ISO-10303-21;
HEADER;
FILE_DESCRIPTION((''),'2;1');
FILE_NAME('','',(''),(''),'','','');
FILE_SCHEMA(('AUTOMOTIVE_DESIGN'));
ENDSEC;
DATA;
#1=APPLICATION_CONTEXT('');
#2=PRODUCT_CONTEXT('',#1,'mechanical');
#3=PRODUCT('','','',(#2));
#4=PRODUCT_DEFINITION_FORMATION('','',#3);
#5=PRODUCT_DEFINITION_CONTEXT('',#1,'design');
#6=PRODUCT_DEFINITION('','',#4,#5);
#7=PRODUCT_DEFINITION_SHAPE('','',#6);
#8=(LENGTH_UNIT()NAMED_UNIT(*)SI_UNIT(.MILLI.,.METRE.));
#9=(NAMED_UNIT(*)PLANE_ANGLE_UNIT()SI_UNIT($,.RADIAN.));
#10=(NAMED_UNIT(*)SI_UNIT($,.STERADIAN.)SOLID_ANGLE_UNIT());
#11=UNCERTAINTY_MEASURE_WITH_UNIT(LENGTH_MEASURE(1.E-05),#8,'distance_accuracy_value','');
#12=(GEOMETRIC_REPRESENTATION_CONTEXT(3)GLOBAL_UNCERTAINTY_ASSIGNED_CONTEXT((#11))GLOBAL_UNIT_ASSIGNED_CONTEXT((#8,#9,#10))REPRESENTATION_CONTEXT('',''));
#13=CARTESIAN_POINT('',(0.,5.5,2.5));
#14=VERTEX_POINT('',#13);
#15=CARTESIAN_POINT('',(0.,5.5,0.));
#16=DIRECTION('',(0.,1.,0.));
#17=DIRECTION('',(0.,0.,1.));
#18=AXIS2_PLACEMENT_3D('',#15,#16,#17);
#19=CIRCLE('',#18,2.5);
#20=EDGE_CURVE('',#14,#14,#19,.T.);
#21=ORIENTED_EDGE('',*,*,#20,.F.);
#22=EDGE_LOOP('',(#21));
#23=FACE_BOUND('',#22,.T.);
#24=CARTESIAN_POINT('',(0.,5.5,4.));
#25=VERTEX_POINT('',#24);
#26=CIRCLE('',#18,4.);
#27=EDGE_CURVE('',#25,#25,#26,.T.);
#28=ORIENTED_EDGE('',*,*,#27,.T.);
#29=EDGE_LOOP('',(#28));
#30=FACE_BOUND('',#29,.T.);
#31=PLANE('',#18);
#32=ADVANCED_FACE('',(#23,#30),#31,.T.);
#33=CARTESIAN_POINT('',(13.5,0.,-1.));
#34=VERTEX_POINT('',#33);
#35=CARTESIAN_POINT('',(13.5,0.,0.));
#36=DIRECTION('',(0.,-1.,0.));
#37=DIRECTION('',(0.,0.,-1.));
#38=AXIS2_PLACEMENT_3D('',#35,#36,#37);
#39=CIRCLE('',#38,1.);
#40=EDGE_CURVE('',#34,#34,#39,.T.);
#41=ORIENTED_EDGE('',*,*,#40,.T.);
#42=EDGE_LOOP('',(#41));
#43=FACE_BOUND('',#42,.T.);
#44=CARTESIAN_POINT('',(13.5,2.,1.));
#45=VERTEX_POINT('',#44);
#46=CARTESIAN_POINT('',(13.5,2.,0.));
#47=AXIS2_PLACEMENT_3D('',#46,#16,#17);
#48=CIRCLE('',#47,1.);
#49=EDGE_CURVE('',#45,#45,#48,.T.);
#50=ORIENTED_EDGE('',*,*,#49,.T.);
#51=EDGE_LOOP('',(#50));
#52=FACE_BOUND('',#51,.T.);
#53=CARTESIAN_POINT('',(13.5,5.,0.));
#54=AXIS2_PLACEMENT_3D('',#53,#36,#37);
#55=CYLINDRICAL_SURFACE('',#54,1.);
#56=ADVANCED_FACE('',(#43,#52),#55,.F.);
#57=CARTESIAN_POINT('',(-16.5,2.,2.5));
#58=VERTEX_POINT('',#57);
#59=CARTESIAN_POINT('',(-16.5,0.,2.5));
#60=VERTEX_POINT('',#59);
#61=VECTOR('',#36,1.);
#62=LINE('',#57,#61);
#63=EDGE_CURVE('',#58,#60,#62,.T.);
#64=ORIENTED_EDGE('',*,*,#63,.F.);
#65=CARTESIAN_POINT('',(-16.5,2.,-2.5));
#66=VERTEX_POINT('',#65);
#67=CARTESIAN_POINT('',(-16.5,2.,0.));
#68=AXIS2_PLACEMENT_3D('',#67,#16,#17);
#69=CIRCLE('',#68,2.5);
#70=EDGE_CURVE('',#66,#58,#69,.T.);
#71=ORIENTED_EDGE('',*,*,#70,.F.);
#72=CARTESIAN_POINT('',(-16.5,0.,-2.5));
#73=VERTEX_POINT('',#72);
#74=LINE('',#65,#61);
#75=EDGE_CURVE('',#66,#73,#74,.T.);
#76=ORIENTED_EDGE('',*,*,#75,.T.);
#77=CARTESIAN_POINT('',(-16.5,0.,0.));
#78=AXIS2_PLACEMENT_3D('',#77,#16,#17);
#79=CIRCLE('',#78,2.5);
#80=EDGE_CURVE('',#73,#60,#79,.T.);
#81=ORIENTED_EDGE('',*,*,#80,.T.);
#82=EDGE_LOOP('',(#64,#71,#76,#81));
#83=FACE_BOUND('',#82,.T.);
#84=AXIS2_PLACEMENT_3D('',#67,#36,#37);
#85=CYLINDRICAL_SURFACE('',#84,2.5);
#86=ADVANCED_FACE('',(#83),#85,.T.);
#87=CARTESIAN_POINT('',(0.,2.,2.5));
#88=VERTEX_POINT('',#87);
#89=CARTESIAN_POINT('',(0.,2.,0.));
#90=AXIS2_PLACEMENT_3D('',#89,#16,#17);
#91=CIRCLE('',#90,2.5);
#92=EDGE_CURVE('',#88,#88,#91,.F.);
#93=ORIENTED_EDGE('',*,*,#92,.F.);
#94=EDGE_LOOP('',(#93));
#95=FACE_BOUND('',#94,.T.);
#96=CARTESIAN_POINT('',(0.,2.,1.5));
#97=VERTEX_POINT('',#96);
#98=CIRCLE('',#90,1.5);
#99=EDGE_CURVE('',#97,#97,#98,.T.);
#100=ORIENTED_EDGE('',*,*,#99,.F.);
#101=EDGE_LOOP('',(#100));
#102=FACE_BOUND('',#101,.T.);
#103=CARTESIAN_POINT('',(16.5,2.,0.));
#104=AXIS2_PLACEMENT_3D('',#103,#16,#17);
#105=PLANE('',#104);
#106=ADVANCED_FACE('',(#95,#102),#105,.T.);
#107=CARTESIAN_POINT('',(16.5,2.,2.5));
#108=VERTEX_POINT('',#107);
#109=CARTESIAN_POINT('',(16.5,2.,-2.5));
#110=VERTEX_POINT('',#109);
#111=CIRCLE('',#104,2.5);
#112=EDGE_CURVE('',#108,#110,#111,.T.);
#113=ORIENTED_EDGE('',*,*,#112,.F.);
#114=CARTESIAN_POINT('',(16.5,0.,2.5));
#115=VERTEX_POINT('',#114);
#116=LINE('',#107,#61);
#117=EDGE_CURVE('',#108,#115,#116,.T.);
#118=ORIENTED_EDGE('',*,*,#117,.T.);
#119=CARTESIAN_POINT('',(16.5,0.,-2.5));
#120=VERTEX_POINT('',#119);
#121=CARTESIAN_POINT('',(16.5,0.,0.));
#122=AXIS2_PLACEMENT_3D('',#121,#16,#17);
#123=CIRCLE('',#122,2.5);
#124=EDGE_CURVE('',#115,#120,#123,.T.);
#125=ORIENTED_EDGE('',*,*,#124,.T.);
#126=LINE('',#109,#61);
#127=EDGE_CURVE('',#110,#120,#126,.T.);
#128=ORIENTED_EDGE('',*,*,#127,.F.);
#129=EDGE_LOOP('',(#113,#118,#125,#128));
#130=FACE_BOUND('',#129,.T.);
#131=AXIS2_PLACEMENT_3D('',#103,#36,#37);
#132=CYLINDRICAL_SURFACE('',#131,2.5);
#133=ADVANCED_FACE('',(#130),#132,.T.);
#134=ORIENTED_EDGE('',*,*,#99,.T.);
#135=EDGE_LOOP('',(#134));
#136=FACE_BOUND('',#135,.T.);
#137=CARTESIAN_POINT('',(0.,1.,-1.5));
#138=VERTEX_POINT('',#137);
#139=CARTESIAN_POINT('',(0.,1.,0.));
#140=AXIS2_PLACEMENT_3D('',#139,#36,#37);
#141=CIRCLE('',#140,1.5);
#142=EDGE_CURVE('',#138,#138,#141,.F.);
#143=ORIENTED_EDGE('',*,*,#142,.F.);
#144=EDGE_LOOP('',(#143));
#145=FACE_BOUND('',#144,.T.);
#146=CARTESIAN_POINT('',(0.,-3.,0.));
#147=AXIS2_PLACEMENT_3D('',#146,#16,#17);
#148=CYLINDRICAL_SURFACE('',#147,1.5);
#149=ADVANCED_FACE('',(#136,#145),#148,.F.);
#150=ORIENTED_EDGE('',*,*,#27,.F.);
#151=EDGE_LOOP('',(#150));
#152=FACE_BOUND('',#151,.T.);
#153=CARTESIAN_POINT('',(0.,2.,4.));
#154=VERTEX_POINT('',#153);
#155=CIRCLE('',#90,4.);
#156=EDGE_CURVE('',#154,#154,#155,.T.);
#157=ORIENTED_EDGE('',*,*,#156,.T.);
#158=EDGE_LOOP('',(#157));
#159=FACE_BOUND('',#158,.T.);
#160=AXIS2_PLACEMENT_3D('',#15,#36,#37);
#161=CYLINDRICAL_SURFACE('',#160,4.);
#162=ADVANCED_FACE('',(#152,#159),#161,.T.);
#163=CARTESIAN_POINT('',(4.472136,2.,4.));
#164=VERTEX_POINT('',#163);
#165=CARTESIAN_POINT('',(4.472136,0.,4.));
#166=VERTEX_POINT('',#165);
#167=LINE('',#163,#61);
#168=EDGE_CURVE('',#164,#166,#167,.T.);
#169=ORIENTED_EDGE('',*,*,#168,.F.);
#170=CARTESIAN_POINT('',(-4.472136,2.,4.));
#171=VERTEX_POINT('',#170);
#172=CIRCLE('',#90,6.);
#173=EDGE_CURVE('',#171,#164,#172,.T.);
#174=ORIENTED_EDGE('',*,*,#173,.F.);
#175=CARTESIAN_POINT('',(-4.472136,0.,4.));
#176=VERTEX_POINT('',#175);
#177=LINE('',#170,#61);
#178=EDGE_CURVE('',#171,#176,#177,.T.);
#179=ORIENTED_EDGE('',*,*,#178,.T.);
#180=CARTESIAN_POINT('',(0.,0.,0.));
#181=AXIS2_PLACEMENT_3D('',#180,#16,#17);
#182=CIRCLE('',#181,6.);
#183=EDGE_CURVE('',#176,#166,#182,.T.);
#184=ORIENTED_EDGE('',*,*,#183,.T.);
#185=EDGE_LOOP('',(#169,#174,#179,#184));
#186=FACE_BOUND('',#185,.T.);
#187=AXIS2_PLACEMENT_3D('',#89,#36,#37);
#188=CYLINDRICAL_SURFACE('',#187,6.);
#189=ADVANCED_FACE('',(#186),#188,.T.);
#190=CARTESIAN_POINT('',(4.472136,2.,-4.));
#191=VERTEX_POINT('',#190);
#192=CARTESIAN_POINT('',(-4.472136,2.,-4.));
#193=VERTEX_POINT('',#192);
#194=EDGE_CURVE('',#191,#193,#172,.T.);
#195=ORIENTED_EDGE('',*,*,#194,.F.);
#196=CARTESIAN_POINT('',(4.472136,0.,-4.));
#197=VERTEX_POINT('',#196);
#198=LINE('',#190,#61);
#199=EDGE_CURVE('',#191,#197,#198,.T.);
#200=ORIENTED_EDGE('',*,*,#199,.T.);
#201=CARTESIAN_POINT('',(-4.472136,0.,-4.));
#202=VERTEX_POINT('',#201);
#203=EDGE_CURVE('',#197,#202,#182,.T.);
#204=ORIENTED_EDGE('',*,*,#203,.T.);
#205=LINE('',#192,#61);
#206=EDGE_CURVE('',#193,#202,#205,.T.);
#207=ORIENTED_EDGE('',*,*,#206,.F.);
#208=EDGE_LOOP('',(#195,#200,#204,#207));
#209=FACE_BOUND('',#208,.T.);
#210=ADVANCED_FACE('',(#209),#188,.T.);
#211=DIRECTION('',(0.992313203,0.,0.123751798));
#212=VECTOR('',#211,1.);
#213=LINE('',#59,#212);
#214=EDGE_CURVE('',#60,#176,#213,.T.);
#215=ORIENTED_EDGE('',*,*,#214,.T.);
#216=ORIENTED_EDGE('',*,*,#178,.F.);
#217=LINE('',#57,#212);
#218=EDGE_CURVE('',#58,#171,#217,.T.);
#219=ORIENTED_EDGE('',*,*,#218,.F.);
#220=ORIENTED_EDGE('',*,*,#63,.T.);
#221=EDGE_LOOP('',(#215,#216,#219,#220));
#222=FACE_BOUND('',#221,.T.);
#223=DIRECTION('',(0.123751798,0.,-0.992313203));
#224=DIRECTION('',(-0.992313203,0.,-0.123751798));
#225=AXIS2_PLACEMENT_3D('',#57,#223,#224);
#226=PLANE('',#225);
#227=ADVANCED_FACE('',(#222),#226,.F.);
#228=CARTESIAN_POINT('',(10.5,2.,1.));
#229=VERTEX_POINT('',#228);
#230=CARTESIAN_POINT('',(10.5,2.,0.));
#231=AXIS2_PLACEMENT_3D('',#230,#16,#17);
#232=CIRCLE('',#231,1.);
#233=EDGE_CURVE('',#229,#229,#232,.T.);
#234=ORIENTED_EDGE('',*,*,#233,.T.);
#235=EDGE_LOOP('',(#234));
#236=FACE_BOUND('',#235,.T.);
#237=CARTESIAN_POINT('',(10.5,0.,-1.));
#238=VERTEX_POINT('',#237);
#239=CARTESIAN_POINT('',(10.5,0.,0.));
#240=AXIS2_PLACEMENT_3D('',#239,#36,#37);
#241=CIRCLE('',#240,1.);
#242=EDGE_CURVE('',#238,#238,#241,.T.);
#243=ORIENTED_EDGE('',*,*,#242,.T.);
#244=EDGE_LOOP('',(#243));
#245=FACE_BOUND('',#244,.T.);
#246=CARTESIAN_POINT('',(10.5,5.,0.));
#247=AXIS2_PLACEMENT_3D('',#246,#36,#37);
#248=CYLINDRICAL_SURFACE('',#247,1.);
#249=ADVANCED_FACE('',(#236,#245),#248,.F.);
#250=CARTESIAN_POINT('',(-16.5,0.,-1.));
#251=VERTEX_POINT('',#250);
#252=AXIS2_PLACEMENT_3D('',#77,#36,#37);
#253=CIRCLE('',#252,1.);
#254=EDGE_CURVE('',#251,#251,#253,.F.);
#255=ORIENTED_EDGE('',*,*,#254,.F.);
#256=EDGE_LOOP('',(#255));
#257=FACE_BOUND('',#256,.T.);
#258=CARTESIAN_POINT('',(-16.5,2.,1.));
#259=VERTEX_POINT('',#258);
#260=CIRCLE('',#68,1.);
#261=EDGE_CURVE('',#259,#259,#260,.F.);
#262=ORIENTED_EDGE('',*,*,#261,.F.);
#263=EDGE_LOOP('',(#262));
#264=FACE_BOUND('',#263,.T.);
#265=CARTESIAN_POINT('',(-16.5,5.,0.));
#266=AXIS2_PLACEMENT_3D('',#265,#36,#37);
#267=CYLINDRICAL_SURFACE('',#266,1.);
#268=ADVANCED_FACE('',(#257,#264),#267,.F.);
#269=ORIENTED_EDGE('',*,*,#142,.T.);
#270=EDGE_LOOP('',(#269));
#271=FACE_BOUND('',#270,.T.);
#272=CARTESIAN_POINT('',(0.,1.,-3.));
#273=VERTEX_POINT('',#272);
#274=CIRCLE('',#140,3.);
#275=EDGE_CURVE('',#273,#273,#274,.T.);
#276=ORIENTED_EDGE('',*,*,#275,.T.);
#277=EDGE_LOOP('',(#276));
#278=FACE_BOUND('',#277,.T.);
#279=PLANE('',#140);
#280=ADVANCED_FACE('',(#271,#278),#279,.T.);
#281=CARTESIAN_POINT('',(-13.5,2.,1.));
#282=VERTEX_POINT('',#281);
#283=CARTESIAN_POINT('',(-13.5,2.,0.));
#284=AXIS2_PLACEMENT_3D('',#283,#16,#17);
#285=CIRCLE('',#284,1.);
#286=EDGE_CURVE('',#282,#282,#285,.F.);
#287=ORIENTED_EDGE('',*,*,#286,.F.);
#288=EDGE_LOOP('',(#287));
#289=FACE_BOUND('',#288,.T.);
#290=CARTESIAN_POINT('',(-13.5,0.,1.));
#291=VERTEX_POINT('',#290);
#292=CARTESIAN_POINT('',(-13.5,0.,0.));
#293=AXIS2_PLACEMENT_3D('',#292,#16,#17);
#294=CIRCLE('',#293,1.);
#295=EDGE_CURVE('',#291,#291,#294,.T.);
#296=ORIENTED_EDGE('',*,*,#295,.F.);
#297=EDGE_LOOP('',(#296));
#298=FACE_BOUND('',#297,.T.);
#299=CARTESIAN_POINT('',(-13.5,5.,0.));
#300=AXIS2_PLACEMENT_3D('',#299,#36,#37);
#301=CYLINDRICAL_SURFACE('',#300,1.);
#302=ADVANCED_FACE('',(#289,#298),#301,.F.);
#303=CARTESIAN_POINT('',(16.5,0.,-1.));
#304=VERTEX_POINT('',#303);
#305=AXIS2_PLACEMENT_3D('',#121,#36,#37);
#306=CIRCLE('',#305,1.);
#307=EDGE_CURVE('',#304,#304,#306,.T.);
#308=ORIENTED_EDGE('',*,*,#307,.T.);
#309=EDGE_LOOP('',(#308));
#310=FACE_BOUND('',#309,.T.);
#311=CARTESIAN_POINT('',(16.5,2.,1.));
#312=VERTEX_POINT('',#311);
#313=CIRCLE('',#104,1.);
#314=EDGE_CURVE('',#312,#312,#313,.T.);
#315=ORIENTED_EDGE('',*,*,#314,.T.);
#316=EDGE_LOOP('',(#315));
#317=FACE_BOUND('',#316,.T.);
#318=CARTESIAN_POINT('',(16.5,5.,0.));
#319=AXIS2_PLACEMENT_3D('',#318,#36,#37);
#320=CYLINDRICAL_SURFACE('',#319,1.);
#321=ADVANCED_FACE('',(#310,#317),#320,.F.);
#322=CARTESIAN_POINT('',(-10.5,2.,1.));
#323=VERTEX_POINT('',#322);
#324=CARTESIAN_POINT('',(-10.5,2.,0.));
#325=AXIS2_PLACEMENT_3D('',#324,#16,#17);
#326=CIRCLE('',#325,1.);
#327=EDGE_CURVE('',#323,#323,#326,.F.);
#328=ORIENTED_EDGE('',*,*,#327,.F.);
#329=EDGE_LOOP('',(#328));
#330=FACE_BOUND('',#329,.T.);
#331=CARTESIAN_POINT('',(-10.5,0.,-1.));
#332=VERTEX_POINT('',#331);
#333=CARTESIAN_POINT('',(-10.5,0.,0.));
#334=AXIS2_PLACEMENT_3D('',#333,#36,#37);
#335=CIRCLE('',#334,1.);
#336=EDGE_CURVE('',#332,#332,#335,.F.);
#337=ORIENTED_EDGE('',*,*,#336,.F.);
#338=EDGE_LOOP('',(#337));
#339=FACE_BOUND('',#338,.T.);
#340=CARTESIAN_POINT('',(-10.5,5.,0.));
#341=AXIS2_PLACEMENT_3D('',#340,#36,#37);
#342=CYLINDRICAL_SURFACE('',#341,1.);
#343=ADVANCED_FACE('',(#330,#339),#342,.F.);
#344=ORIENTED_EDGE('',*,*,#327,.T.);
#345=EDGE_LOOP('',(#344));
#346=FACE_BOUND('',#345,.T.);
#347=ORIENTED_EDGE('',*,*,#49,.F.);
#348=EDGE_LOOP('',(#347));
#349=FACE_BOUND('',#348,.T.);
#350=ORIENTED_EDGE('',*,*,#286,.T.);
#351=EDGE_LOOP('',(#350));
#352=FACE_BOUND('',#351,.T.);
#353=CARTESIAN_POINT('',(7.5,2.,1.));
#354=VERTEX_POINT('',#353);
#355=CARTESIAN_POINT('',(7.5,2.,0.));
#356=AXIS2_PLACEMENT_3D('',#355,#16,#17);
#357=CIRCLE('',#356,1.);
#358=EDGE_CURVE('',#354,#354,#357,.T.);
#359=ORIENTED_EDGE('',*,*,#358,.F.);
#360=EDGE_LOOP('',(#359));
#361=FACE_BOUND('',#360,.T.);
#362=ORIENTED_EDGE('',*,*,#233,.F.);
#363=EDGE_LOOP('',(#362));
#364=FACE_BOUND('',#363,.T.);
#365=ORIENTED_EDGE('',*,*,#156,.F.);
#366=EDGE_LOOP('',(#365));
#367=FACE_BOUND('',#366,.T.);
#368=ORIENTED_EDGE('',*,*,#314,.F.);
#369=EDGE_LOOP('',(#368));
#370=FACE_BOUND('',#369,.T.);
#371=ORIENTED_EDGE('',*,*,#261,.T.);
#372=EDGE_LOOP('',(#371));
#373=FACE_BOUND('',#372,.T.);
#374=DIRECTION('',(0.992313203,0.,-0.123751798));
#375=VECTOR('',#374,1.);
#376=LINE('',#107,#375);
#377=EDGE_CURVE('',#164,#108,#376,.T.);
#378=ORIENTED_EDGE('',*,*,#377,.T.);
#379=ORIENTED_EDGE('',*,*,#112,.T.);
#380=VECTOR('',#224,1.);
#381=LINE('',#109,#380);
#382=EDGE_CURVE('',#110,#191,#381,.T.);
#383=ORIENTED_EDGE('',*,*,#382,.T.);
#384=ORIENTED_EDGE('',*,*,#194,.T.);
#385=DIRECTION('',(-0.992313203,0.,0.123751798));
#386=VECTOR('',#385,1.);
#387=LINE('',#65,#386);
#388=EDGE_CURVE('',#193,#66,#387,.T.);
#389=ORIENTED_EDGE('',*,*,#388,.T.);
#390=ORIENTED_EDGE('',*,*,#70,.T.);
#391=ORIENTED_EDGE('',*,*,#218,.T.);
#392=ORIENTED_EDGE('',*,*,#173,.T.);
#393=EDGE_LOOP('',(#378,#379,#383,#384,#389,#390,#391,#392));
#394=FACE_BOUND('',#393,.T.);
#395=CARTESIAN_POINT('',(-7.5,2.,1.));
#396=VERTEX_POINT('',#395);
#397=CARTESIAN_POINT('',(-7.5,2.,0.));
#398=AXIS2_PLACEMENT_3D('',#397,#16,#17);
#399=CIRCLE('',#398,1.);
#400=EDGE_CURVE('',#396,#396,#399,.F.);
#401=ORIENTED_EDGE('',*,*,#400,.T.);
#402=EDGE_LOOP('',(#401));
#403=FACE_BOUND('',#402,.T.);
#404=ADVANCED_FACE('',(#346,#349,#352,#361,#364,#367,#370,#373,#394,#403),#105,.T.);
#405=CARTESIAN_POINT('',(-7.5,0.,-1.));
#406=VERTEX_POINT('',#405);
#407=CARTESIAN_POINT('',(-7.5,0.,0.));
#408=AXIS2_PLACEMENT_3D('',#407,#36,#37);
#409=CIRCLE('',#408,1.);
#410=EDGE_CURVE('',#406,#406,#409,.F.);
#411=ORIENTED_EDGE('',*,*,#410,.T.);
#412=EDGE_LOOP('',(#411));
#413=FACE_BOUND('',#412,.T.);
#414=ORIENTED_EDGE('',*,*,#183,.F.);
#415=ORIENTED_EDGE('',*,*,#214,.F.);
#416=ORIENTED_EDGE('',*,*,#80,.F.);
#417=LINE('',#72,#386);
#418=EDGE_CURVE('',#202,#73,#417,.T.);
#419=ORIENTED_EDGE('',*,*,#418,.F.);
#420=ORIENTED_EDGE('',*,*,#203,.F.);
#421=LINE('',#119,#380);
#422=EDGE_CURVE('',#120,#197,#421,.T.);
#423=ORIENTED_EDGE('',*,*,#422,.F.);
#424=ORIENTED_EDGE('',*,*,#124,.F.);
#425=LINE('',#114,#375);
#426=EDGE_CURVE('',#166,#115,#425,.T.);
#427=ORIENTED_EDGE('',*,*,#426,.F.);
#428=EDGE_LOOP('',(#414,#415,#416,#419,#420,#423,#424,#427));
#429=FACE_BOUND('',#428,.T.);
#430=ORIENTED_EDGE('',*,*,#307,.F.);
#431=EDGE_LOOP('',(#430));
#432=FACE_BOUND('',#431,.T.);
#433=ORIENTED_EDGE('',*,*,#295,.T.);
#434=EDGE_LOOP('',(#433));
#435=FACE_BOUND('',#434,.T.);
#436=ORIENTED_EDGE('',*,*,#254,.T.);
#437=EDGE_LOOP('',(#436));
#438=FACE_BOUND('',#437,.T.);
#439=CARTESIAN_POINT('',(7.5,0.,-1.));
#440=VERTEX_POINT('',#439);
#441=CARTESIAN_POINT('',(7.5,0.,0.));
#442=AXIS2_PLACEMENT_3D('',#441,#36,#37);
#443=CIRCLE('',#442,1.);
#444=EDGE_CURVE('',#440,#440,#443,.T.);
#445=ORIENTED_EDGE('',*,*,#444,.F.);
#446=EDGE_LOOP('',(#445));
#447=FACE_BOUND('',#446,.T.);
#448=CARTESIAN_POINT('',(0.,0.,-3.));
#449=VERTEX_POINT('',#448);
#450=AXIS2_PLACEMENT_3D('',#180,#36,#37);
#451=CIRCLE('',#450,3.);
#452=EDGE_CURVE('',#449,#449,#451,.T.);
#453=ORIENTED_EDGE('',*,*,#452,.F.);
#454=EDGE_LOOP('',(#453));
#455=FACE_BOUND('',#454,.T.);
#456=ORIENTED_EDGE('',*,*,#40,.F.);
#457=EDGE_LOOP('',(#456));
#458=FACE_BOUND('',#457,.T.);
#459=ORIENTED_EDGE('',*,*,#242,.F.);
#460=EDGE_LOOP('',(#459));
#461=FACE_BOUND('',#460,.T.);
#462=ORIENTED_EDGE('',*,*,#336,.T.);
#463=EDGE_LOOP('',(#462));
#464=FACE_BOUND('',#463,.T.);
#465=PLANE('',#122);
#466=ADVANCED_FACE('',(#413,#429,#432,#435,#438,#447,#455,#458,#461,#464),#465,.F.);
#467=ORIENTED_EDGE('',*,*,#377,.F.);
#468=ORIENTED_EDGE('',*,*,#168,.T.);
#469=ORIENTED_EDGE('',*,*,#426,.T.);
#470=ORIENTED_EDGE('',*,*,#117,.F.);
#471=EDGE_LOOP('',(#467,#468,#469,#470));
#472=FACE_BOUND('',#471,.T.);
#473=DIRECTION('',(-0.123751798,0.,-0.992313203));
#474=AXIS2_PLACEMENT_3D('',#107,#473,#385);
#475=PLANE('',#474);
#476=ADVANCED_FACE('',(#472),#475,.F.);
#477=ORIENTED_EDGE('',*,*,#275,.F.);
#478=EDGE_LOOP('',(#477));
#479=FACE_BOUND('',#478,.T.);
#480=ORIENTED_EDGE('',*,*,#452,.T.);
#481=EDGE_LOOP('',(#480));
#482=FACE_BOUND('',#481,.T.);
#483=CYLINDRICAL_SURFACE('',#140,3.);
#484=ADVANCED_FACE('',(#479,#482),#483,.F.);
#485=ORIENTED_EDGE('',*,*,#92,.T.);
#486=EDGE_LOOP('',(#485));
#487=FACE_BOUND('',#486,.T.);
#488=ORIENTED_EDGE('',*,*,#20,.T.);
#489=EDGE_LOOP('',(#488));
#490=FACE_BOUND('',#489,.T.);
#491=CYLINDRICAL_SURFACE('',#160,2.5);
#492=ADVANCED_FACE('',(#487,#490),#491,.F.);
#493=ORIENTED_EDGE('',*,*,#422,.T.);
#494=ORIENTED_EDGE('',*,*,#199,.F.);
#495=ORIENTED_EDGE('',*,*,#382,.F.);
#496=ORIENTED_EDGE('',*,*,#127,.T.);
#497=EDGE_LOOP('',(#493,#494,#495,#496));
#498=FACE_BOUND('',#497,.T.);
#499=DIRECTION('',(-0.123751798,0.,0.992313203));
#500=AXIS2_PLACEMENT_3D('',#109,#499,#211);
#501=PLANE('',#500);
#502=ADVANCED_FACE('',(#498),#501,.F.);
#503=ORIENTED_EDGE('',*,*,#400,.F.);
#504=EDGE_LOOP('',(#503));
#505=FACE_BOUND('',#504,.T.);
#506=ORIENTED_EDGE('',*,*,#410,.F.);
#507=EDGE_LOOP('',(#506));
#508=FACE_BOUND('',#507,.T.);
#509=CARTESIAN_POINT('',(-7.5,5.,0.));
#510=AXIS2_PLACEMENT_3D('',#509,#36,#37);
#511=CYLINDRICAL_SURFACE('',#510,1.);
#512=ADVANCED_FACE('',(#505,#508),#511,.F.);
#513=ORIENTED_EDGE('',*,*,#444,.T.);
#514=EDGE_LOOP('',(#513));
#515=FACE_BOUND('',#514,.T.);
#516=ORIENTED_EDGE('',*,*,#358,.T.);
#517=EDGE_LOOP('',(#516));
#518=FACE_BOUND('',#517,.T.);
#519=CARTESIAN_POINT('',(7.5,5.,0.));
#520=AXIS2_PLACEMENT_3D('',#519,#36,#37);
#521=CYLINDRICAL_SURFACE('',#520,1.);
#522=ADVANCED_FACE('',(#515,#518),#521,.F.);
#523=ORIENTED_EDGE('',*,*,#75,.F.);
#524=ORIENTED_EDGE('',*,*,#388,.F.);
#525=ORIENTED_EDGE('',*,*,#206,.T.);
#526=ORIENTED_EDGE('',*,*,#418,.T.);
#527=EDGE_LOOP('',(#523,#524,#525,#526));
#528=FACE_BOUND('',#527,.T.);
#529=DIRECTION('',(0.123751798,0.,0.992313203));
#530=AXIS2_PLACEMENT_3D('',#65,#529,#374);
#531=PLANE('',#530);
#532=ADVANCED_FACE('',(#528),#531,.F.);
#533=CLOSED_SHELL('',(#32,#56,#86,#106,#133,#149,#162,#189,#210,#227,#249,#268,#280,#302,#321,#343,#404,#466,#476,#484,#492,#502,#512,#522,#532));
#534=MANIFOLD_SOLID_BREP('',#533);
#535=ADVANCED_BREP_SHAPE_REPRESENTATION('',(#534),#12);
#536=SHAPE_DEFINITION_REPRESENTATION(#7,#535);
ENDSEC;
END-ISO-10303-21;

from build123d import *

# Parameters (mm, degrees)
BOSS_EXTRUDE1_DEPTH = 2
SKETCH2_R           = 4
SKETCH2_R_2         = 2.5
BOSS_EXTRUDE2_DEPTH = 3.5
SKETCH3_R           = 1.5
CUT_EXTRUDE1_DEPTH  = 5
SKETCH4_R           = 3
CUT_EXTRUDE2_DEPTH  = 1
SKETCH5_R           = 1
CUT_EXTRUDE3_DEPTH  = 5


with BuildPart() as part:
    # Sketch1 → Boss-Extrude1 (new body)
    with BuildSketch(Plane(origin=(0, 0, 0), x_dir=(1, 0, 0), z_dir=(0, 1, 0))):
        with BuildLine():
            Line((-16.5, 2.5), (-4.472135955, 4))
            ThreePointArc((-4.472135955, 4), (0, 6), (4.472135955, 4))
            Line((4.472135955, 4), (16.5, 2.5))
            ThreePointArc((16.5, 2.5), (19, 0), (16.5, -2.5))
            Line((16.5, -2.5), (4.472135955, -4))
            ThreePointArc((4.472135955, -4), (0, -6), (-4.472135955, -4))
            Line((-4.472135955, -4), (-16.5, -2.5))
            ThreePointArc((-16.5, -2.5), (-19, 0), (-16.5, 2.5))
        make_face()
    extrude(amount=BOSS_EXTRUDE1_DEPTH)

    # Sketch2 → Boss-Extrude2 (add)
    with BuildSketch(Plane(origin=(0, 2, 0), x_dir=(1, 0, 0), z_dir=(0, 1, 0))):
        with Locations(Location((0, 0, 0), (0, 0, 270))):
            Circle(SKETCH2_R)
        with Locations(Location((0, 0, 0), (0, 0, 270))):
            Circle(SKETCH2_R_2, mode=Mode.SUBTRACT)
    extrude(amount=BOSS_EXTRUDE2_DEPTH)

    # Sketch3 → Cut-Extrude1 (cut)
    with BuildSketch(Plane(origin=(0, 2, 0), x_dir=(1, 0, 0), z_dir=(0, 1, 0))):
        with Locations(Location((0, 0, 0), (0, 0, 270))):
            Circle(SKETCH3_R)
    extrude(amount=-CUT_EXTRUDE1_DEPTH, mode=Mode.SUBTRACT)

    # Sketch4 → Cut-Extrude2 (cut)
    with BuildSketch(Plane.XZ):
        with Locations(Location((0, 0, 0), (0, 0, 270))):
            Circle(SKETCH4_R)
    extrude(amount=-CUT_EXTRUDE2_DEPTH, mode=Mode.SUBTRACT)

    # Sketch5 → Cut-Extrude3 (cut)
    with BuildSketch(Plane.XZ):
        with Locations(Location((-16.5, 0, 0), (0, 0, 270))):
            Circle(SKETCH5_R)
        with Locations(Location((-10.5, 0, 0), (0, 0, 270))):
            Circle(SKETCH5_R)
        with Locations(Location((-7.5, 0, 0), (0, 0, 270))):
            Circle(SKETCH5_R)
        with Locations(Location((7.5, 0, 0), (0, 0, 270))):
            Circle(SKETCH5_R)
        with Locations(Location((10.5, 0, 0), (0, 0, 270))):
            Circle(SKETCH5_R)
        with Locations(Location((13.5, 0, 0), (0, 0, 270))):
            Circle(SKETCH5_R)
        with Locations(Location((16.5, 0, 0), (0, 0, 270))):
            Circle(SKETCH5_R)
        with Locations(Location((-13.5, 0, 0), (0, 0, 90))):
            Circle(SKETCH5_R)
    extrude(amount=-CUT_EXTRUDE3_DEPTH, mode=Mode.SUBTRACT)


solid = part.part
